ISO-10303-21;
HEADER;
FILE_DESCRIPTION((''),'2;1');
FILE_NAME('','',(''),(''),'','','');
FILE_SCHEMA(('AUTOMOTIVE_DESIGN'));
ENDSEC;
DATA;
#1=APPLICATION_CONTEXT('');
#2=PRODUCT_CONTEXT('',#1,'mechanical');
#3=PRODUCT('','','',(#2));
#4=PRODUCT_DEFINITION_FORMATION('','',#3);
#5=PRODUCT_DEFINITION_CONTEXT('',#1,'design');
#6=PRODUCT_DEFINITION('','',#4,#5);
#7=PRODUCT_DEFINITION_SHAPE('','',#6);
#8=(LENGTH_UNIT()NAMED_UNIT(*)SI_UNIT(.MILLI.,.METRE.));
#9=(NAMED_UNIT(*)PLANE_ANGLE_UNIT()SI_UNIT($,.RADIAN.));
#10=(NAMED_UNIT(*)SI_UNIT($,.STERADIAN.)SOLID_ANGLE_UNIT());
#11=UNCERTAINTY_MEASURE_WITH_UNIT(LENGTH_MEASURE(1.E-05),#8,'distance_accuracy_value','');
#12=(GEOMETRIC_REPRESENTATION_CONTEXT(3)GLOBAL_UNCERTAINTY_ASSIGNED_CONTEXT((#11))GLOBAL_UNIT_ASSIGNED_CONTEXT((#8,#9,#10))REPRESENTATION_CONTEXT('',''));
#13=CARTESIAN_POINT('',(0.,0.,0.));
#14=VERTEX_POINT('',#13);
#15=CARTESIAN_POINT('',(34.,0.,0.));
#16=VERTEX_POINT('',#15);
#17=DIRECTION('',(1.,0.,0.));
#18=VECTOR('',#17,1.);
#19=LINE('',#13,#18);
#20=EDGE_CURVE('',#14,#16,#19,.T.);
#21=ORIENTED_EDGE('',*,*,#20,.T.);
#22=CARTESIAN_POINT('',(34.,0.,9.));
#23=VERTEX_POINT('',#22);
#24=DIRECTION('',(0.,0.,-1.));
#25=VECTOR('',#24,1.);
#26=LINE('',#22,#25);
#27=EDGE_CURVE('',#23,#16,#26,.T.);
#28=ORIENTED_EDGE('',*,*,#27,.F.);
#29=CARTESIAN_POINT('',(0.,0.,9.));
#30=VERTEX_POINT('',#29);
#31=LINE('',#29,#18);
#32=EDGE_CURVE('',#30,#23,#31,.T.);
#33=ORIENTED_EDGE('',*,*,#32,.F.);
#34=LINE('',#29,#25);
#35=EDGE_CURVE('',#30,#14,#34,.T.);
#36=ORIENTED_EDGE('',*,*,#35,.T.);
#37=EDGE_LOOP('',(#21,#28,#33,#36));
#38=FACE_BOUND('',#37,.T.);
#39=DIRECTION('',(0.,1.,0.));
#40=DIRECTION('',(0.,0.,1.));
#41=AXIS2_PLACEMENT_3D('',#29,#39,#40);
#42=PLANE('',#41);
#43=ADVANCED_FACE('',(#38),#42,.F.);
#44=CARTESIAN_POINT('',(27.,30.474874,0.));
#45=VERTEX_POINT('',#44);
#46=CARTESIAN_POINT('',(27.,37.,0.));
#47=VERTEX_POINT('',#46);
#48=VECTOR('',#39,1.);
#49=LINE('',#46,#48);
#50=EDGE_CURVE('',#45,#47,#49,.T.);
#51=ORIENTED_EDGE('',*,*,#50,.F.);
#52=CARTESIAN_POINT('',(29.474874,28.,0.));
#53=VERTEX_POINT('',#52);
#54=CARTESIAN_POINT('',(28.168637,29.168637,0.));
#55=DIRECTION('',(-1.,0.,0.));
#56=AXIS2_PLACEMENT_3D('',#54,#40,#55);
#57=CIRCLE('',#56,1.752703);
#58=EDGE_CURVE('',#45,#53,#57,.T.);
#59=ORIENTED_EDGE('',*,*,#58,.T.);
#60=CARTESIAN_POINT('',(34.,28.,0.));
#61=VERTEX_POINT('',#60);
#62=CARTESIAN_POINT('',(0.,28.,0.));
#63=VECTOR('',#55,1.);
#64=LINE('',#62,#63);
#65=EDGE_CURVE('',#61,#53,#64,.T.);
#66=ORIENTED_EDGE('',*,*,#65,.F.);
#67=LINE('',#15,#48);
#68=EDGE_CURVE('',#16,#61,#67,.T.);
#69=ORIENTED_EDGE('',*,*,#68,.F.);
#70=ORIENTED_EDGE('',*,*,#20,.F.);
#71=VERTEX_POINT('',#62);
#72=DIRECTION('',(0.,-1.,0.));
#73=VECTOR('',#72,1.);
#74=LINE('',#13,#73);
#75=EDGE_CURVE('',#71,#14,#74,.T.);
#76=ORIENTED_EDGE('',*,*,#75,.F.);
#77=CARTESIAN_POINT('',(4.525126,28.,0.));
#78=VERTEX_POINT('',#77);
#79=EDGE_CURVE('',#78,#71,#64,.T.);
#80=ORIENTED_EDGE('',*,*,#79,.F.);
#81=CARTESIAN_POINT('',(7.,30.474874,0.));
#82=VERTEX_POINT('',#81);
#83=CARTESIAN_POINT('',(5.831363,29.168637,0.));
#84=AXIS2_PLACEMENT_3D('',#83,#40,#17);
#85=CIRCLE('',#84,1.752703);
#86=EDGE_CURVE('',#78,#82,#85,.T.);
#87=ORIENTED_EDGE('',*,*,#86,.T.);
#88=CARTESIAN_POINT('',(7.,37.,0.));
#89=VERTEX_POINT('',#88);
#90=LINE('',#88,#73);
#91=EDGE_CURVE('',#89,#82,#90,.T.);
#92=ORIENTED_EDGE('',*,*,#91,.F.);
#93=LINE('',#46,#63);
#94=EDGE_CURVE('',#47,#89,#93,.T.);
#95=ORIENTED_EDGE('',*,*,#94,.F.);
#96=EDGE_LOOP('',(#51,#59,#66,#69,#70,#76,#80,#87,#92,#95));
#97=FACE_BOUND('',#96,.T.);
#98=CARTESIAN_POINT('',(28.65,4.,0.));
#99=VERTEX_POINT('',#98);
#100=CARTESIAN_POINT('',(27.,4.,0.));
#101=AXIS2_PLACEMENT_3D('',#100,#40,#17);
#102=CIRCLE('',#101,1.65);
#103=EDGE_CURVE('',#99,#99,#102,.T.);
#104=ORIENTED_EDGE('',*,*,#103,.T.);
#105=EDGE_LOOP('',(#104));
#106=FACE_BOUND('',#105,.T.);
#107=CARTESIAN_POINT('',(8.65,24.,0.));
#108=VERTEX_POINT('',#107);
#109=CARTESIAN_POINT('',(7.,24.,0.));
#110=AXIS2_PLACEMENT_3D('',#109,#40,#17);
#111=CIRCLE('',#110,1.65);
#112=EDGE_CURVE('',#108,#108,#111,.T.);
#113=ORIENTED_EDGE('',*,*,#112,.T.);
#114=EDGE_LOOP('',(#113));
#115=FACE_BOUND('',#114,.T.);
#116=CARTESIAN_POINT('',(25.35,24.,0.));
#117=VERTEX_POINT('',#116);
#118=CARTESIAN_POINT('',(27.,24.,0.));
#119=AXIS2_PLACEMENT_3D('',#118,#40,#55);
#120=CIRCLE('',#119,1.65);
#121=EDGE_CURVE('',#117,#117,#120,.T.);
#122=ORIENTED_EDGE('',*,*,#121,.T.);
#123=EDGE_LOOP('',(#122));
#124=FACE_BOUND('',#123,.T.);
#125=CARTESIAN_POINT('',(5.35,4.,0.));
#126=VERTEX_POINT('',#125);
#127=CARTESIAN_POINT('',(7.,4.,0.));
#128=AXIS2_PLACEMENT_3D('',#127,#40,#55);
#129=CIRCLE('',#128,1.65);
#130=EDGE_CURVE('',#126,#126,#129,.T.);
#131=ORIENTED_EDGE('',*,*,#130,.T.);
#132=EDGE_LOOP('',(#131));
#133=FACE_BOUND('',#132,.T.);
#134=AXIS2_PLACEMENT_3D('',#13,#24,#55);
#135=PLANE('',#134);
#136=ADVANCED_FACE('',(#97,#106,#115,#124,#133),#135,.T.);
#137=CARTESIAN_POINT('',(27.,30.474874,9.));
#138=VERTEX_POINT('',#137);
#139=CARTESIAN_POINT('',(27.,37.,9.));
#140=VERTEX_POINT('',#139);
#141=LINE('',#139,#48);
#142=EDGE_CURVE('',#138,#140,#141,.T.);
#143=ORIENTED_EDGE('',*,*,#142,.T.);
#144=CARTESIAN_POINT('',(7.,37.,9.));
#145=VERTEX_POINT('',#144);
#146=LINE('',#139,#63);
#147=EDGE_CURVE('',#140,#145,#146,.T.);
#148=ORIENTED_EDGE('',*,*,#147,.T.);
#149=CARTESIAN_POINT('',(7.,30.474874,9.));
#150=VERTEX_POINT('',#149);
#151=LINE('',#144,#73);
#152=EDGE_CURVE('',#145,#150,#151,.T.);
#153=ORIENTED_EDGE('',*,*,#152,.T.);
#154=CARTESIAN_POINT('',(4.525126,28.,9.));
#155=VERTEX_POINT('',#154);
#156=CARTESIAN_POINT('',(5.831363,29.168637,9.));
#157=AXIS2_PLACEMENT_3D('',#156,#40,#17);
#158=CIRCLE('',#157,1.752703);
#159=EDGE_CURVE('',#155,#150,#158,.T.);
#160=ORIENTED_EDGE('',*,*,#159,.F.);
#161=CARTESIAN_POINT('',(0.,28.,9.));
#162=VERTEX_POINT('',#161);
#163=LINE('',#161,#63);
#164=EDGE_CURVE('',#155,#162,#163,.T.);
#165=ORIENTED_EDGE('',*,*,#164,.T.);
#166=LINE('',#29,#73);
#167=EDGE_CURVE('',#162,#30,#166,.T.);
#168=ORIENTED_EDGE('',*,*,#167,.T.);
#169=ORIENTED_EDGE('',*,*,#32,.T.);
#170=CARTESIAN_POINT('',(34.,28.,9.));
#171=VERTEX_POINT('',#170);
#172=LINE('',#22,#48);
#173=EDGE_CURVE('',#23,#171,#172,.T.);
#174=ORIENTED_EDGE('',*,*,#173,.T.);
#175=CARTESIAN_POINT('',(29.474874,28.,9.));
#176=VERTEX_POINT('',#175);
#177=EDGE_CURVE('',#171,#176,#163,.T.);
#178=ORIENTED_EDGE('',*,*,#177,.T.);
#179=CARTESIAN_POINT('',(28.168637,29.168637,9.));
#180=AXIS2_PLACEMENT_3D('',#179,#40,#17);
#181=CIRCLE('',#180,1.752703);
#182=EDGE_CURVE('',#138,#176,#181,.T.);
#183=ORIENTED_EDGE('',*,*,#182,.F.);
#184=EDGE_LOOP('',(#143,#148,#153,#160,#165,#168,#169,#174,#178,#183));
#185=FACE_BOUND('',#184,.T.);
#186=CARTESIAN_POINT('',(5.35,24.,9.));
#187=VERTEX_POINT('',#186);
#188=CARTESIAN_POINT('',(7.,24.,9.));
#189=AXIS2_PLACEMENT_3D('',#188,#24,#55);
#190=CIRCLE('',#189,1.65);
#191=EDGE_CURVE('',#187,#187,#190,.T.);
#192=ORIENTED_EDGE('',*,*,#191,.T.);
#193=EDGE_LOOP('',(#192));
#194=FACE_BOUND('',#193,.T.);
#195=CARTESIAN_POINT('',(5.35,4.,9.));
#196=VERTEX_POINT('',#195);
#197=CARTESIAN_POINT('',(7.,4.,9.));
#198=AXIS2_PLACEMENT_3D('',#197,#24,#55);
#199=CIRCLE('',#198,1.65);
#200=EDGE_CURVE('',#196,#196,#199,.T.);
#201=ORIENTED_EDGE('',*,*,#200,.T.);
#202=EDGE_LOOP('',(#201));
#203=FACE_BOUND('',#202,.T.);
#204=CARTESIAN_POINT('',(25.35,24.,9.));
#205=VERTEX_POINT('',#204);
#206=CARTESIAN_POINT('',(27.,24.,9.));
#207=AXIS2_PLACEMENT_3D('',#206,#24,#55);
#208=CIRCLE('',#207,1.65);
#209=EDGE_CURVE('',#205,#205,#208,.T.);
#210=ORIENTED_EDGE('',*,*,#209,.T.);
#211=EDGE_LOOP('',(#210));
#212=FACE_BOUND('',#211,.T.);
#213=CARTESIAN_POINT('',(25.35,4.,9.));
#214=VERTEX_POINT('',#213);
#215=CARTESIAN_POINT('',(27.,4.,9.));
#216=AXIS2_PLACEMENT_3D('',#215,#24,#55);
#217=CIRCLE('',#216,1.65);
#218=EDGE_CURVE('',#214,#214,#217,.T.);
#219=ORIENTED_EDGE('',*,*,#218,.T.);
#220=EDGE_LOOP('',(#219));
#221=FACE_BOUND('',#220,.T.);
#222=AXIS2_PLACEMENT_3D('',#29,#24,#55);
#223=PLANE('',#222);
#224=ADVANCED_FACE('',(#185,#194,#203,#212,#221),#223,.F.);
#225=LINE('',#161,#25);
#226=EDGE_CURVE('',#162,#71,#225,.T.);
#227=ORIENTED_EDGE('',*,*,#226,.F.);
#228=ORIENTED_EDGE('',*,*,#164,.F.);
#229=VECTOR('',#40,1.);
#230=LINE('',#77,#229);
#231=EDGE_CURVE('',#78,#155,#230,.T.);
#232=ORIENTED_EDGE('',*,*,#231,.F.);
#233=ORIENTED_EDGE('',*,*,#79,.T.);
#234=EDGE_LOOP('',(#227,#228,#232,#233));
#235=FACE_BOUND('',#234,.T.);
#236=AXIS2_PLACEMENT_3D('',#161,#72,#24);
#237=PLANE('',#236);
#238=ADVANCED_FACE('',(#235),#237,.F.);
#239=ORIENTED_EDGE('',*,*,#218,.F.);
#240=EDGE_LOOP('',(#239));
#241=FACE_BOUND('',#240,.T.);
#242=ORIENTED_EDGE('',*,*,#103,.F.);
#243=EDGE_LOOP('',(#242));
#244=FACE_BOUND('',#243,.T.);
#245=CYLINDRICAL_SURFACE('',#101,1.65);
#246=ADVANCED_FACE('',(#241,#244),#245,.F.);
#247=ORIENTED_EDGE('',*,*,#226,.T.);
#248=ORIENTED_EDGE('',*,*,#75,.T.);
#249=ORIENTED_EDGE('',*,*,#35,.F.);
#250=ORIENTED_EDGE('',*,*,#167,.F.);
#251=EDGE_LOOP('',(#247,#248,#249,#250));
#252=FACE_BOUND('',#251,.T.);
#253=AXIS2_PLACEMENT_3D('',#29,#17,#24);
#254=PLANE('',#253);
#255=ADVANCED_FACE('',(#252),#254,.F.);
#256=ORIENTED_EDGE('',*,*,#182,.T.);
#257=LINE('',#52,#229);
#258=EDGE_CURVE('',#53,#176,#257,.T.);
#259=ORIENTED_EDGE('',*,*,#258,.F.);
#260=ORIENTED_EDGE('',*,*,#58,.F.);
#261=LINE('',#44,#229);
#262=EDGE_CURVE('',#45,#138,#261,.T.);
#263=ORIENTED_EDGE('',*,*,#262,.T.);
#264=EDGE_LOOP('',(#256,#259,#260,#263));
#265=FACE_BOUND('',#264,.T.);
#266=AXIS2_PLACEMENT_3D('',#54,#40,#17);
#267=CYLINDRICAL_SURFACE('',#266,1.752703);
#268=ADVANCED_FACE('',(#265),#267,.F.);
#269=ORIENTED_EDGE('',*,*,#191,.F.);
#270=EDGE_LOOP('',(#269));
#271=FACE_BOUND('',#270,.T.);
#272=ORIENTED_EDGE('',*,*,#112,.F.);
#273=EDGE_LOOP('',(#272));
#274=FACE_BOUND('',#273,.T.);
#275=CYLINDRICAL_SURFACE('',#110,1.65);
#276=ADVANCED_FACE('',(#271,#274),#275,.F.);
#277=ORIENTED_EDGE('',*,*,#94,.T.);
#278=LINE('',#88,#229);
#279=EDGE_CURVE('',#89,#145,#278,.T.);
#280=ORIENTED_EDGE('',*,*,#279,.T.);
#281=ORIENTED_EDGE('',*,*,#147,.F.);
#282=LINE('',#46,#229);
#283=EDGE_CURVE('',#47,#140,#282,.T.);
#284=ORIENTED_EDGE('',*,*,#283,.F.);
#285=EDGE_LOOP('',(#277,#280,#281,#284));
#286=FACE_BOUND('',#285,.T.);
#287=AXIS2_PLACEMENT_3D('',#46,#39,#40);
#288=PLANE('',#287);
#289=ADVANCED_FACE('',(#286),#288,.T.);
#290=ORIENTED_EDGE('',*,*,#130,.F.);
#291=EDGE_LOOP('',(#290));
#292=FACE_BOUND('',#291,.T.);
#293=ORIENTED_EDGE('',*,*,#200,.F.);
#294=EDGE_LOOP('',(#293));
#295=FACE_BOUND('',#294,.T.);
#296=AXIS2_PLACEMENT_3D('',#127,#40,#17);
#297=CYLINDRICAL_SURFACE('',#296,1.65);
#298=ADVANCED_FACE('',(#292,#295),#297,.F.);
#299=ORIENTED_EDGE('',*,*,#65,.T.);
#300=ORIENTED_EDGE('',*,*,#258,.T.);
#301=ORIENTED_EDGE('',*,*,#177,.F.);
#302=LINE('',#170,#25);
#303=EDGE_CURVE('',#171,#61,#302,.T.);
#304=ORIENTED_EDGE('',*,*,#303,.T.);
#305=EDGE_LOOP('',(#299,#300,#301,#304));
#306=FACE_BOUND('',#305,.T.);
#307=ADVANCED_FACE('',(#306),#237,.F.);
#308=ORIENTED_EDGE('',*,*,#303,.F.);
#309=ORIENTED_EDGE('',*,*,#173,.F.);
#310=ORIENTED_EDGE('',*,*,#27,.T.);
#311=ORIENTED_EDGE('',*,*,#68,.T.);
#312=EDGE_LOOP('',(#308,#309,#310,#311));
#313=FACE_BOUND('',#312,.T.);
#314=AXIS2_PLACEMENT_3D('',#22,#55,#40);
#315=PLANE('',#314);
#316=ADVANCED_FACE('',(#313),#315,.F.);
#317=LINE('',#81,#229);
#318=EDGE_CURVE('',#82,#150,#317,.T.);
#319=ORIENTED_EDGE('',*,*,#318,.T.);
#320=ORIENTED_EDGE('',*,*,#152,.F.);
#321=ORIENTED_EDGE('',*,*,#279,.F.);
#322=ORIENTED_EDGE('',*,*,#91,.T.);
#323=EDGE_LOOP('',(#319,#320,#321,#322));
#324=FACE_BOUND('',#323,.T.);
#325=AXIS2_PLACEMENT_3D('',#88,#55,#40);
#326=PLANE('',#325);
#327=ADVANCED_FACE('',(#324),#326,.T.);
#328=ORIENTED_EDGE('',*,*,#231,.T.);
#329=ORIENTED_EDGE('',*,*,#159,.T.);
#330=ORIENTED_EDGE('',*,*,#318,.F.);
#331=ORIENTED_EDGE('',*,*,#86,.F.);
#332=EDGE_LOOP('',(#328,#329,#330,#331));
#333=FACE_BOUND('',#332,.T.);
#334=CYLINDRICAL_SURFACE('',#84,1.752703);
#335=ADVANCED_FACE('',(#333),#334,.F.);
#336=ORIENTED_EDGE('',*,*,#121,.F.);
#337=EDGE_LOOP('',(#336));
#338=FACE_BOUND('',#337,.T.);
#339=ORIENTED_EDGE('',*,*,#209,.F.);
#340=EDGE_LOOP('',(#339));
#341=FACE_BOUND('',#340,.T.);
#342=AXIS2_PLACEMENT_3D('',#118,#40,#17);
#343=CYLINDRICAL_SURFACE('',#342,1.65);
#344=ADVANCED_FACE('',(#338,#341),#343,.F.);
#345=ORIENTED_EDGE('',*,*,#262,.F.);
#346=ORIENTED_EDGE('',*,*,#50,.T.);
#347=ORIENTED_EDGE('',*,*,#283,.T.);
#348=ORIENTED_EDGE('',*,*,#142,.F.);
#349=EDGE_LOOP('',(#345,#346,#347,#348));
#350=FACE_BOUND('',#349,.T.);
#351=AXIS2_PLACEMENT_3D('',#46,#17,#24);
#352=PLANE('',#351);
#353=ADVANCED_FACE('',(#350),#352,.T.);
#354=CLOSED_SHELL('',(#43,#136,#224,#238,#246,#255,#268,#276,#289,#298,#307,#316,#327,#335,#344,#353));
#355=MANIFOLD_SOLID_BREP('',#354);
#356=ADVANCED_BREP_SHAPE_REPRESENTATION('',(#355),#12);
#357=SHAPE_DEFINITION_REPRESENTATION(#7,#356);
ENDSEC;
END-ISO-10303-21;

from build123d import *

# Parameters (mm, degrees)
ESQUISSE1_W                  = 34
ESQUISSE1_H                  = 28
BOSS_EXTRU_1_DEPTH           = 9
ESQUISSE2_W                  = 20
ESQUISSE2_H                  = 9
BOSS_EXTRU_2_DEPTH           = 9
ENL_V_MAT_EXTRU_1_DEPTH      = 52.048996072
ENL_V_MAT_EXTRU_1_DEPTH_BACK = 52.048996072
ENL_V_MAT_EXTRU_2_DEPTH      = 52.048996072
ENL_V_MAT_EXTRU_2_DEPTH_BACK = 52.048996072
ESQUISSE4_R                  = 1.65


with BuildPart() as part:
    # Esquisse1 → Boss.-Extru.1 (new body)
    with BuildSketch(Plane.XY):
        with Locations((17, 14)):
            Rectangle(ESQUISSE1_W, ESQUISSE1_H)
    extrude(amount=BOSS_EXTRU_1_DEPTH)

    # Esquisse2 → Boss.-Extru.2 (add)
    with BuildSketch(Plane.XY.offset(9)):
        with Locations((17, 32.5)):
            Rectangle(ESQUISSE2_W, ESQUISSE2_H)
    extrude(amount=-BOSS_EXTRU_2_DEPTH)

    # Esquisse3 → Enlèv. mat.-Extru.1 (cut, two sides: drawn at the far end of the back side and taken through both)
    with BuildSketch(Plane.XY.offset(9).offset(-ENL_V_MAT_EXTRU_1_DEPTH_BACK)):
        with BuildLine():
            Line((4.525126266, 28), (7, 30.474873734))
            ThreePointArc((7, 30.474873734), (7.070710678, 27.929289322), (4.525126266, 28))
        make_face()
        with BuildLine():
            Line((29.474873734, 28), (27, 30.474873734))
            ThreePointArc((27, 30.474873734), (26.929289322, 27.929289322), (29.474873734, 28))
        make_face()
    extrude(amount=ENL_V_MAT_EXTRU_1_DEPTH + ENL_V_MAT_EXTRU_1_DEPTH_BACK, mode=Mode.SUBTRACT)

    # Esquisse4 → Enlèv. mat.-Extru.2 (cut, two sides: drawn at the far end of the back side and taken through both)
    with BuildSketch(Plane.XY.offset(9).offset(-ENL_V_MAT_EXTRU_2_DEPTH_BACK)):
        with Locations((7, 24)):
            Circle(ESQUISSE4_R)
        with Locations(Location((27, 24, 0), (0, 0, 180))):
            Circle(ESQUISSE4_R)
        with Locations((27, 4)):
            Circle(ESQUISSE4_R)
        with Locations(Location((7, 4, 0), (0, 0, 180))):
            Circle(ESQUISSE4_R)
    extrude(amount=ENL_V_MAT_EXTRU_2_DEPTH + ENL_V_MAT_EXTRU_2_DEPTH_BACK, mode=Mode.SUBTRACT)


solid = part.part
